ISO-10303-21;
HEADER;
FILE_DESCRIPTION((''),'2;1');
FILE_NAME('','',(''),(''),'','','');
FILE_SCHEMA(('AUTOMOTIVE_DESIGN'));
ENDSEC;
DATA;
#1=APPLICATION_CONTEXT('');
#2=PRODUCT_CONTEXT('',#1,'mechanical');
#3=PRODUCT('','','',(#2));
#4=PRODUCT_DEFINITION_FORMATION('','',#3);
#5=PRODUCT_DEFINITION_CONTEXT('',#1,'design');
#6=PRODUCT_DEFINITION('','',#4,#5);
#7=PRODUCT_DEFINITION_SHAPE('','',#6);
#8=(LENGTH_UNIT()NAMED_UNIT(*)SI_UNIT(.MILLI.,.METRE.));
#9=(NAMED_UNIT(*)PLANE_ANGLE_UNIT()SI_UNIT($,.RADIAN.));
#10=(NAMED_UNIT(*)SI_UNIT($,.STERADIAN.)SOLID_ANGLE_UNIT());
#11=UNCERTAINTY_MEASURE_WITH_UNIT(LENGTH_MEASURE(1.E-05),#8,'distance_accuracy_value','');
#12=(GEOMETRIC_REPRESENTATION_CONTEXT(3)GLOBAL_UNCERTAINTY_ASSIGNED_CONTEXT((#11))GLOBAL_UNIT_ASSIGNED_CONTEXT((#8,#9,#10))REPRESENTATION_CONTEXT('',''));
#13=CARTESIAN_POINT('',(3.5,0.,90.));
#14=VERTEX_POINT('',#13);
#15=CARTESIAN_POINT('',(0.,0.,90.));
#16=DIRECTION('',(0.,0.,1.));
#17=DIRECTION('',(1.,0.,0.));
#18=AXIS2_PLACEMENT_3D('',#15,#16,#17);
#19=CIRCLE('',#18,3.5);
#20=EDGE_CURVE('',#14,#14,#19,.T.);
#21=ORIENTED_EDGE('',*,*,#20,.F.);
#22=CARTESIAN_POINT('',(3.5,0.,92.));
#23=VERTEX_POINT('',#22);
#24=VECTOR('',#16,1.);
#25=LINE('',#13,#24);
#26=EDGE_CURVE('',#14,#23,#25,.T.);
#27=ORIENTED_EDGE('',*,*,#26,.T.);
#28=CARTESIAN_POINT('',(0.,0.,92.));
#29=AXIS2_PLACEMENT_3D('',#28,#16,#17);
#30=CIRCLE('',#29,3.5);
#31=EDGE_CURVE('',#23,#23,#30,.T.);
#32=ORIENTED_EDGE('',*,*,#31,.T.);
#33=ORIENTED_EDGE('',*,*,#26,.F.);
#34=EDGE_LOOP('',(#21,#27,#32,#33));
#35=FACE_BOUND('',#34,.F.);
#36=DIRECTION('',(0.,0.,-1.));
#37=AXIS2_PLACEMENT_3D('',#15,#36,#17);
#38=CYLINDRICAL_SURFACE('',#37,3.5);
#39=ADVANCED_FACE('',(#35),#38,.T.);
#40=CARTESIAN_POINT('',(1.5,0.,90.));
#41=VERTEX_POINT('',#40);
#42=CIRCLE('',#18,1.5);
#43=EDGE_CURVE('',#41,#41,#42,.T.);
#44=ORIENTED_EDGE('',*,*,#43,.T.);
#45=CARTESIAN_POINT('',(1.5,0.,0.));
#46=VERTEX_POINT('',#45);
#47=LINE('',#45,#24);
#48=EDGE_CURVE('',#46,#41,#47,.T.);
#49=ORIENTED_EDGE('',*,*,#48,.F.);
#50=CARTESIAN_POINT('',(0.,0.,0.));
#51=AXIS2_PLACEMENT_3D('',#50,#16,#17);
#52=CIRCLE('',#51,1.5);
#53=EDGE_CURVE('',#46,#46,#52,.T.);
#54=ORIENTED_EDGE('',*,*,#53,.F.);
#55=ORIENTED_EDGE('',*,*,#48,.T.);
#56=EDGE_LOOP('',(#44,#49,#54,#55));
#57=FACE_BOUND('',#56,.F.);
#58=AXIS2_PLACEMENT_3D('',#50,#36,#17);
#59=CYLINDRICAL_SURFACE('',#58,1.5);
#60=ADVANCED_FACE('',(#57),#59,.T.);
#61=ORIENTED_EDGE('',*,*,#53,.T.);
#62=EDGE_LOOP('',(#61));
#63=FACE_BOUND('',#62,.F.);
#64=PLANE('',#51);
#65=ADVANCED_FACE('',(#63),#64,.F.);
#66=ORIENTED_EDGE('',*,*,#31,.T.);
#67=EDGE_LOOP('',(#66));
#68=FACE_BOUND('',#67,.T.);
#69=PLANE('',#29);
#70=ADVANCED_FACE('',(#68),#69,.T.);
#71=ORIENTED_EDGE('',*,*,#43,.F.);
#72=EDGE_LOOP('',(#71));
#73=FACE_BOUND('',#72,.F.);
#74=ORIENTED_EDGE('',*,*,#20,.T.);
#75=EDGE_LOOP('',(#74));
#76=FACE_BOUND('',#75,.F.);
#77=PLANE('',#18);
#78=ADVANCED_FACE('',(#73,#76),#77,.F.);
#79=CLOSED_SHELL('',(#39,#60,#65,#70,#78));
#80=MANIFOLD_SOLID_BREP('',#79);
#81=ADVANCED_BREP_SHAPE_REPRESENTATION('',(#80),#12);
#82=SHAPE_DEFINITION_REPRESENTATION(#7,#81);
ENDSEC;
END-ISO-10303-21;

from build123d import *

# Parameters (mm, degrees)
SKETCH_R     = 1.5
PAD_DEPTH    = 90
SKETCH001_R  = 3.5
PAD001_DEPTH = 2


with BuildPart() as part:
    # Sketch → Pad (new body)
    with BuildSketch(Plane.XY):
        Circle(SKETCH_R)
    extrude(amount=PAD_DEPTH)

    # Sketch001 (on Face3 of Pad) → Pad001 (join)
    with BuildSketch(Plane.XY.offset(90)):
        Circle(SKETCH001_R)
    extrude(amount=PAD001_DEPTH)


solid = part.part
